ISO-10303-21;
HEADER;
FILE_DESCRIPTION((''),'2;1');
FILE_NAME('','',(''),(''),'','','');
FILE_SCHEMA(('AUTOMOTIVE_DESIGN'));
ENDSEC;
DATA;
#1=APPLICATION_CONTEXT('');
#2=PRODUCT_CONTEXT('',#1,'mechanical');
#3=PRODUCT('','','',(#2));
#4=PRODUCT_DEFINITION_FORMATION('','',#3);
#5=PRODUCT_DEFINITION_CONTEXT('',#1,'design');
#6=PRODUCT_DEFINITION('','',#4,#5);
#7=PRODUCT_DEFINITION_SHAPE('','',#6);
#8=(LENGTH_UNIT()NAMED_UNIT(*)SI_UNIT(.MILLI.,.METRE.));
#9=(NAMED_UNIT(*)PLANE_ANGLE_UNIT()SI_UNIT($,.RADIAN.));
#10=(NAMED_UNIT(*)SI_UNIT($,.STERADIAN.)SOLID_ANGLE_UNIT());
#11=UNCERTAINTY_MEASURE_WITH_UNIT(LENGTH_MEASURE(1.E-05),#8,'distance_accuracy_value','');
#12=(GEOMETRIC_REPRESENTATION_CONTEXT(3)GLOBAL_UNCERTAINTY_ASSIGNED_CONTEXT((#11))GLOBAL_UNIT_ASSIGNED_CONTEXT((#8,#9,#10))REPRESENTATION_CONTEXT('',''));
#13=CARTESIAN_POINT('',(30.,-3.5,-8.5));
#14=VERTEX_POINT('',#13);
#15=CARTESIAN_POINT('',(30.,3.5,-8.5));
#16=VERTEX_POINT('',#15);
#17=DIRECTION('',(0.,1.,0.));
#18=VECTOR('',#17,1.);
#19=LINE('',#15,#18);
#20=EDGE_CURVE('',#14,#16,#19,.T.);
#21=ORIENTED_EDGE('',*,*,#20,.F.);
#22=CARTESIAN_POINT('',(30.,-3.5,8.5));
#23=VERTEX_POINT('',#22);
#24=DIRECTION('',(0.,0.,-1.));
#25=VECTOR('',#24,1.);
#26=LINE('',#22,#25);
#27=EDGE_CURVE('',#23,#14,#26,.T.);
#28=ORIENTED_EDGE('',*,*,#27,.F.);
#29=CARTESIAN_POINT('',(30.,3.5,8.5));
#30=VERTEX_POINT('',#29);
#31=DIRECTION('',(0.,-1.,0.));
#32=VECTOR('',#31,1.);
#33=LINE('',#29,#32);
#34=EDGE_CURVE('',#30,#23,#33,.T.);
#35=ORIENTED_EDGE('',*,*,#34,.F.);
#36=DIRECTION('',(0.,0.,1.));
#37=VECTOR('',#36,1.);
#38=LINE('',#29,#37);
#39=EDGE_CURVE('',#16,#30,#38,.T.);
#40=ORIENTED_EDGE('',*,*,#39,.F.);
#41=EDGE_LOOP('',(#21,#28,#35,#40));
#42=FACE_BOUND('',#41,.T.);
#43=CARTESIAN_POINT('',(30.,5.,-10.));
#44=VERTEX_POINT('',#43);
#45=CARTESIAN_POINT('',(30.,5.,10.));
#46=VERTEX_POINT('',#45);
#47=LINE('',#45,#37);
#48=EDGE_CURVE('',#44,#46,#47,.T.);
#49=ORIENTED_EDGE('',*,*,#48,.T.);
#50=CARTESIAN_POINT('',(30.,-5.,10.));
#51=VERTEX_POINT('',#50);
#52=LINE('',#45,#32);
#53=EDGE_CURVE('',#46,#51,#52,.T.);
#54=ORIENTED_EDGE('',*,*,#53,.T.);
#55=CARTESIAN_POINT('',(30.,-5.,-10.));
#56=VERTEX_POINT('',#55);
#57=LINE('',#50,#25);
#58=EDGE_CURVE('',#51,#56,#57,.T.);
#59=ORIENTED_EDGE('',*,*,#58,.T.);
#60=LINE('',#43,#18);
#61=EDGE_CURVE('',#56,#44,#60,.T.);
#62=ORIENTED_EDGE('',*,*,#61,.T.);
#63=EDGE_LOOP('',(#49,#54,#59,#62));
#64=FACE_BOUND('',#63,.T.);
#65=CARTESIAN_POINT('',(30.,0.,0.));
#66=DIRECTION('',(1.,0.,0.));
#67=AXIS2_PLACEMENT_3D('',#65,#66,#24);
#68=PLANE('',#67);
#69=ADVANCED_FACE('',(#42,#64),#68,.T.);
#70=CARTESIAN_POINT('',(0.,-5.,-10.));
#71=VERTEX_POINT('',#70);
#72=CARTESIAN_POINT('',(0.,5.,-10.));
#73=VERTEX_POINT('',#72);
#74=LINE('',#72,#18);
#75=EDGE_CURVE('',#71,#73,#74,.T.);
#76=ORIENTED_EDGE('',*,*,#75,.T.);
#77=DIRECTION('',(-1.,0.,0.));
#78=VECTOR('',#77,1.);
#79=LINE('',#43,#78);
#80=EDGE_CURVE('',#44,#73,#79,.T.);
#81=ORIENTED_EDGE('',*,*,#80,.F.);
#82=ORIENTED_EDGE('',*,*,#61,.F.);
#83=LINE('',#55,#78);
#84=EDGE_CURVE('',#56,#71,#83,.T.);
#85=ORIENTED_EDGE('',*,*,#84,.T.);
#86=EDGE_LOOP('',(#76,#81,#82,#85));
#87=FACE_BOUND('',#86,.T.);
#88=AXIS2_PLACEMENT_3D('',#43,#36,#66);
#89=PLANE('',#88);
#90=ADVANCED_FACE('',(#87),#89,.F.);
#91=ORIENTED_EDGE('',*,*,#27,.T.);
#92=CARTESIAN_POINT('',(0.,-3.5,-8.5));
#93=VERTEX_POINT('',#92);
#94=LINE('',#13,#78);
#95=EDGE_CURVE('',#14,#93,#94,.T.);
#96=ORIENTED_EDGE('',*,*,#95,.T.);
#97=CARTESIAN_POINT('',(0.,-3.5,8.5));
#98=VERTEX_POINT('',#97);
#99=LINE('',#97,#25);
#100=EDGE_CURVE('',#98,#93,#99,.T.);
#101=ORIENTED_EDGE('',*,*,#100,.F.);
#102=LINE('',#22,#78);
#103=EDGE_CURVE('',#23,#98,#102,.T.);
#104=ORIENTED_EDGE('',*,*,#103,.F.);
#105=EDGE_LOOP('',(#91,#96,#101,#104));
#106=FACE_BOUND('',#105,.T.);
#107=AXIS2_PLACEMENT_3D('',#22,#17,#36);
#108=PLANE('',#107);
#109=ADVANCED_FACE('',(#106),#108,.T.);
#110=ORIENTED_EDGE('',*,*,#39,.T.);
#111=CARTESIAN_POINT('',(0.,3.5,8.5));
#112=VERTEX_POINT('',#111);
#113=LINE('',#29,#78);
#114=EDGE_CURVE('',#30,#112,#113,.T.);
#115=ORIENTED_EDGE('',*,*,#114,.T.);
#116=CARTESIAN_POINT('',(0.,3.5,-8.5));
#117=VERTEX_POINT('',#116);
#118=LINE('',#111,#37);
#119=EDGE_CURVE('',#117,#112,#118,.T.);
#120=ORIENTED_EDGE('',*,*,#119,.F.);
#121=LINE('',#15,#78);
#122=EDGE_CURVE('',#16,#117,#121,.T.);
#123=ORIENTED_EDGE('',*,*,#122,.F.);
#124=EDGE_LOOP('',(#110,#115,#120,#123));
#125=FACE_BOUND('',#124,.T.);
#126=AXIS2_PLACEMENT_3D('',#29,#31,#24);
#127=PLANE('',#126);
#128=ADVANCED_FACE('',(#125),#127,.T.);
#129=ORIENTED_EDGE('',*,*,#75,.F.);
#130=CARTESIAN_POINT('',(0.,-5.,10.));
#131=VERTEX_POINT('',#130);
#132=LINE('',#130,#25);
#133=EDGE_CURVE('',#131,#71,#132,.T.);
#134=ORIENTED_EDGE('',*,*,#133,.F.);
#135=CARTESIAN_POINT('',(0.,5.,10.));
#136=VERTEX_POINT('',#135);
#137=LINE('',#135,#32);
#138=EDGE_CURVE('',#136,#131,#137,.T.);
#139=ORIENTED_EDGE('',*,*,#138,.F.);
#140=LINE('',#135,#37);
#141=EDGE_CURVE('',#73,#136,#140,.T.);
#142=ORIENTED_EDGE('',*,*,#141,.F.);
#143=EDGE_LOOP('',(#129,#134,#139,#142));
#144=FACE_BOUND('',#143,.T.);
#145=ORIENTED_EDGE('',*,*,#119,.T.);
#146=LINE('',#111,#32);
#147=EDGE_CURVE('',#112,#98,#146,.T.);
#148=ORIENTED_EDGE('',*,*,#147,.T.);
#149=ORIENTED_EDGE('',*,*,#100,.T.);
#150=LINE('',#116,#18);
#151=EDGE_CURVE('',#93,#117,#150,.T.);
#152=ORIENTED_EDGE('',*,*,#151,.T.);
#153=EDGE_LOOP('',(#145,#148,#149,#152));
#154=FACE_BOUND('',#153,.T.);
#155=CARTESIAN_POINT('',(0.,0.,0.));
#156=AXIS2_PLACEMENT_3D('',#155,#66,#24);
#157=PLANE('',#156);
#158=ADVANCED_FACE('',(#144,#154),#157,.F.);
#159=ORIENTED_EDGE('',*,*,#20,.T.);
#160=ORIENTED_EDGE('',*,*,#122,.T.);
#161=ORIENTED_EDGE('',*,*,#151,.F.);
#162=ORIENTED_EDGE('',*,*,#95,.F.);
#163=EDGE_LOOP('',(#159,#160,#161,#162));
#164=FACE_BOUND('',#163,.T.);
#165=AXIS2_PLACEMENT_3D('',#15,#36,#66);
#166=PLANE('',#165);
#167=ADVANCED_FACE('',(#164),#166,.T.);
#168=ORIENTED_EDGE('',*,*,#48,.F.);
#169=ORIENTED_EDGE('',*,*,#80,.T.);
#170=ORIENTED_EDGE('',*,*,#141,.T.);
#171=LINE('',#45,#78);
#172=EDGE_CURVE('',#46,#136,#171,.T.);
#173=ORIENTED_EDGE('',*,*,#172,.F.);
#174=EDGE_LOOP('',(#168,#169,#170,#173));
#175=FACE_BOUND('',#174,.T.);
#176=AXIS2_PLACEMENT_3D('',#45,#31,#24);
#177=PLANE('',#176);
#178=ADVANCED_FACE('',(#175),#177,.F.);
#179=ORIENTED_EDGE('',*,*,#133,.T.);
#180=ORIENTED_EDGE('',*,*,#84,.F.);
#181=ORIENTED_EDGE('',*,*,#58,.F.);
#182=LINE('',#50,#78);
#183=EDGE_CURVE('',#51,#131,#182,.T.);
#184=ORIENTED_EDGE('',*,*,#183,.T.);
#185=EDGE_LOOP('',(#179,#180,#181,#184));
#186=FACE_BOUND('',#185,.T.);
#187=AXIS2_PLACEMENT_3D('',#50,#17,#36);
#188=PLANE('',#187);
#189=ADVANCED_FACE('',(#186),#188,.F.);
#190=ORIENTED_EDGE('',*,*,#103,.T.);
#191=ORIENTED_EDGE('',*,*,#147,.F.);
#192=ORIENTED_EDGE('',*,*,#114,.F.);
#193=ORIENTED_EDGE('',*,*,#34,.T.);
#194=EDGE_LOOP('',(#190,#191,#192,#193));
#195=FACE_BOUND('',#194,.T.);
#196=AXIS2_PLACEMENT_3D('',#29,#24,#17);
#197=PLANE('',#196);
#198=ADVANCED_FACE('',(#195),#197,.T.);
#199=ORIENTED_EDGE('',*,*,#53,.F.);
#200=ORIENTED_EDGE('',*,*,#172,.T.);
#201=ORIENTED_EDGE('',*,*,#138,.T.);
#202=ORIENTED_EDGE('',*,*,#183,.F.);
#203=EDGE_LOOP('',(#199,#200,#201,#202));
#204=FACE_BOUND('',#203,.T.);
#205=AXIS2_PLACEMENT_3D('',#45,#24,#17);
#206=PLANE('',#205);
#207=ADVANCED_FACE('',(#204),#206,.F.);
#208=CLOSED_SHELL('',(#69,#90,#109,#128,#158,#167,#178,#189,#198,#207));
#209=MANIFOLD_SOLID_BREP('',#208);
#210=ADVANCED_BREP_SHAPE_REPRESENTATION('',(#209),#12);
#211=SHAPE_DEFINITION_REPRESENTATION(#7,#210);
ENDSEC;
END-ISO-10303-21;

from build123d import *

# Parameters (mm, degrees)
SKETCH1_W           = 20
SKETCH1_H           = 10
SKETCH1_W_2         = 17
SKETCH1_H_2         = 7
BOSS_EXTRUDE1_DEPTH = 30


with BuildPart() as part:
    # Sketch1 → Boss-Extrude1 (new body)
    with BuildSketch(Plane(origin=(0, 0, 0), x_dir=(0, 0, -1), z_dir=(1, 0, 0))):
        Rectangle(SKETCH1_W, SKETCH1_H)
        Rectangle(SKETCH1_W_2, SKETCH1_H_2, mode=Mode.SUBTRACT)
    extrude(amount=BOSS_EXTRUDE1_DEPTH)


solid = part.part
